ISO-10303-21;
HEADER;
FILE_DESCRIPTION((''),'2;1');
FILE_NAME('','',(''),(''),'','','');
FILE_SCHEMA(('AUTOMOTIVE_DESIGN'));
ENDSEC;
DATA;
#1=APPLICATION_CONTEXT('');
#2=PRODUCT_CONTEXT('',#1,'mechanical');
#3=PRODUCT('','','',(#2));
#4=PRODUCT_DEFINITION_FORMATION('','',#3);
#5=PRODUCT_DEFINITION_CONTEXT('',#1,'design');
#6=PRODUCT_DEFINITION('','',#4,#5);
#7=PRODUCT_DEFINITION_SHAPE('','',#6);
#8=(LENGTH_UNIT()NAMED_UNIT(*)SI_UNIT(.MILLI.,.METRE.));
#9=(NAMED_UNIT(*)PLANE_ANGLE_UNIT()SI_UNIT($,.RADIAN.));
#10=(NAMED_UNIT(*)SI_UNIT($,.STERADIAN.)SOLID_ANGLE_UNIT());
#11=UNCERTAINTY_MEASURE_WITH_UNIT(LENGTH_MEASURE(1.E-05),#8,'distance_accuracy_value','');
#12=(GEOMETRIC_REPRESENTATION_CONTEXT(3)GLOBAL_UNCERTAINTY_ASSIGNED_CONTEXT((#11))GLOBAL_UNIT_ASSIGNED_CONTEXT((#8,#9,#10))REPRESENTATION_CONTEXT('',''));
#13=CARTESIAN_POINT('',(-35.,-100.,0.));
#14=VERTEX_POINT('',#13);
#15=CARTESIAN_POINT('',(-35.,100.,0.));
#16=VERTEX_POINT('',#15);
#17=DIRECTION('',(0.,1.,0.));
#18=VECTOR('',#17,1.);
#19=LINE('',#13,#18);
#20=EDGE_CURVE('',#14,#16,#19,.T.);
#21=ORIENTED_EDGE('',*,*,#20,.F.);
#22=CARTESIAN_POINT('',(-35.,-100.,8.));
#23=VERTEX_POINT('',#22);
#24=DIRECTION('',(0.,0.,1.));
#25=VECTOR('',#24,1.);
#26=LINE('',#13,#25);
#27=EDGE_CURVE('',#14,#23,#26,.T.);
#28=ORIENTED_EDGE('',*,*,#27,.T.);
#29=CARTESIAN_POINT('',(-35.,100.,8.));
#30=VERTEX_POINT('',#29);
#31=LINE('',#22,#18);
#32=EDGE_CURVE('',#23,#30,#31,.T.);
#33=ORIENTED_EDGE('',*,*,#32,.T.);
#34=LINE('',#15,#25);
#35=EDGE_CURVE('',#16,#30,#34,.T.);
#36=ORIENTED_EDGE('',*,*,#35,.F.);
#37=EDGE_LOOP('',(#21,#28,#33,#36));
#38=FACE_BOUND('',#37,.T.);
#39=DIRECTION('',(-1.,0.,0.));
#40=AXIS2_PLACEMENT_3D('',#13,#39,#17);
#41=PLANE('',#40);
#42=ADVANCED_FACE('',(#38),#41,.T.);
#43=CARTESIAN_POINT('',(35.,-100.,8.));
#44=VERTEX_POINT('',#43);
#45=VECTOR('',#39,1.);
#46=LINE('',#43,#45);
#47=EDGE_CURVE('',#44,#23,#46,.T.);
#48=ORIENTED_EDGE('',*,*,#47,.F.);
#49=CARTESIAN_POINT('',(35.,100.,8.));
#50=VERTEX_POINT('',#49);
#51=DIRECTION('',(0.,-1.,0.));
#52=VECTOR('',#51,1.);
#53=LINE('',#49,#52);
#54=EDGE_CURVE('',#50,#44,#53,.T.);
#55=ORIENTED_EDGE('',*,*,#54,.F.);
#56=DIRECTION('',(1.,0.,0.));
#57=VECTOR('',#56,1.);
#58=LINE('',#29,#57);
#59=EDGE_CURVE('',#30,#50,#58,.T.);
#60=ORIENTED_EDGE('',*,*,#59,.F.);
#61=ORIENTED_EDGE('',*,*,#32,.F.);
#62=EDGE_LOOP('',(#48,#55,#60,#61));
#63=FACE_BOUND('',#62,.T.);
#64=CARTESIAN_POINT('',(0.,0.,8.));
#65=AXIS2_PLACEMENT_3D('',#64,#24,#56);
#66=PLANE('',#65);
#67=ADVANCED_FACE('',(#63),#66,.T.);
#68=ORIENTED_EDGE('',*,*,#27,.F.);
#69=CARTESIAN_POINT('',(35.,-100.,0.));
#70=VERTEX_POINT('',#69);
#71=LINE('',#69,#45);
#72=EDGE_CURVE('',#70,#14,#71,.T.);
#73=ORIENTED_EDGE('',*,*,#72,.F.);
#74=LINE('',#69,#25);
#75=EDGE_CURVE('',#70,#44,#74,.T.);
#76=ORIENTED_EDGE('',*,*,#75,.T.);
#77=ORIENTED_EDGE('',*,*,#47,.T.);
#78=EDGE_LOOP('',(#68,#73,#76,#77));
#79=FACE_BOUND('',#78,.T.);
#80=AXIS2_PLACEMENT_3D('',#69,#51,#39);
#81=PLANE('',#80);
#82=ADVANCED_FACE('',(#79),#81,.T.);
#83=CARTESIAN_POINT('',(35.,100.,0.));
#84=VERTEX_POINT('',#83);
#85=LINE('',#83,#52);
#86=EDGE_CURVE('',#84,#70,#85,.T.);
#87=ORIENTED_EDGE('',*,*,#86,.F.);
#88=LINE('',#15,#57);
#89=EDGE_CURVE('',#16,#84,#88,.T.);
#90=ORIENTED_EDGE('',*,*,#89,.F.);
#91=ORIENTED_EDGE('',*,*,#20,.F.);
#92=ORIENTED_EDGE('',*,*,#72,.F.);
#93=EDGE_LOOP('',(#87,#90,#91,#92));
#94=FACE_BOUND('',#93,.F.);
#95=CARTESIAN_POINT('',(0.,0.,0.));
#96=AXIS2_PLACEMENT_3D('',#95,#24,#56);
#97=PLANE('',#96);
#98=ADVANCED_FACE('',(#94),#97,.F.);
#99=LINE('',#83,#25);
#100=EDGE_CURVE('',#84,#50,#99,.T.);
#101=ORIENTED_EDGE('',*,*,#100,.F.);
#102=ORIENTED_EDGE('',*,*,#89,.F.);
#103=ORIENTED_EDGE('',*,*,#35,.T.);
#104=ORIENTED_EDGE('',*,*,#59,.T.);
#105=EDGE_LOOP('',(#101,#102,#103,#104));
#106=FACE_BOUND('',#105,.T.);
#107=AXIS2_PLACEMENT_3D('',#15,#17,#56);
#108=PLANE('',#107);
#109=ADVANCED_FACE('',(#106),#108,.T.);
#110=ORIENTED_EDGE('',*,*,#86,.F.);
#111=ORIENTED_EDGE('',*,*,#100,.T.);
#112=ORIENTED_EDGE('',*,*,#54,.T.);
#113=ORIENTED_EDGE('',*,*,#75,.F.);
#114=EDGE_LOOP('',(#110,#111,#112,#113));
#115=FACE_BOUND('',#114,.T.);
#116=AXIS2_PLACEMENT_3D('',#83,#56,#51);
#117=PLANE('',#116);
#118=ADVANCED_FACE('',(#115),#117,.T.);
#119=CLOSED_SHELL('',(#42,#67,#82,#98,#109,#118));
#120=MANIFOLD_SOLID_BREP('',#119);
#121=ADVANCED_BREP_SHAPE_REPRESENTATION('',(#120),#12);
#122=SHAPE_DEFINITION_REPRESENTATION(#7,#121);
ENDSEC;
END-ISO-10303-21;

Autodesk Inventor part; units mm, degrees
ref_plane "YZ Plane" through (0, 0, 0) normal (1, 0, 0) x (0, 1, 0)
ref_plane "XZ Plane" through (0, 0, 0) normal (0, 1, 0) x (-1, 0, 0)
ref_plane "XY Plane" through (0, 0, 0) normal (0, 0, 1) x (1, 0, 0)
sketch "Sketch1" plane through (0, 0, 0) normal (0, 0, 1) x (1, 0, 0)
  line L0 (-35, 100) -> (35, 100)
  line L1 (35, 100) -> (35, -100)
  line L2 (35, -100) -> (-35, -100)
  line L3 (-35, -100) -> (-35, 100)
  point P0 (0, 0)
  dimension "d0" = 70
  dimension "d1" = 200
  dimension "d2" = 100
  dimension "d3" = 35
extrude "Extrusion1" add sketch "Sketch1" along normal blind 8
equation "\"d2\" = 0.5 * d1"
equation "\"d3\" = 0.5 * d0"
properties part number "mobile top plate"
